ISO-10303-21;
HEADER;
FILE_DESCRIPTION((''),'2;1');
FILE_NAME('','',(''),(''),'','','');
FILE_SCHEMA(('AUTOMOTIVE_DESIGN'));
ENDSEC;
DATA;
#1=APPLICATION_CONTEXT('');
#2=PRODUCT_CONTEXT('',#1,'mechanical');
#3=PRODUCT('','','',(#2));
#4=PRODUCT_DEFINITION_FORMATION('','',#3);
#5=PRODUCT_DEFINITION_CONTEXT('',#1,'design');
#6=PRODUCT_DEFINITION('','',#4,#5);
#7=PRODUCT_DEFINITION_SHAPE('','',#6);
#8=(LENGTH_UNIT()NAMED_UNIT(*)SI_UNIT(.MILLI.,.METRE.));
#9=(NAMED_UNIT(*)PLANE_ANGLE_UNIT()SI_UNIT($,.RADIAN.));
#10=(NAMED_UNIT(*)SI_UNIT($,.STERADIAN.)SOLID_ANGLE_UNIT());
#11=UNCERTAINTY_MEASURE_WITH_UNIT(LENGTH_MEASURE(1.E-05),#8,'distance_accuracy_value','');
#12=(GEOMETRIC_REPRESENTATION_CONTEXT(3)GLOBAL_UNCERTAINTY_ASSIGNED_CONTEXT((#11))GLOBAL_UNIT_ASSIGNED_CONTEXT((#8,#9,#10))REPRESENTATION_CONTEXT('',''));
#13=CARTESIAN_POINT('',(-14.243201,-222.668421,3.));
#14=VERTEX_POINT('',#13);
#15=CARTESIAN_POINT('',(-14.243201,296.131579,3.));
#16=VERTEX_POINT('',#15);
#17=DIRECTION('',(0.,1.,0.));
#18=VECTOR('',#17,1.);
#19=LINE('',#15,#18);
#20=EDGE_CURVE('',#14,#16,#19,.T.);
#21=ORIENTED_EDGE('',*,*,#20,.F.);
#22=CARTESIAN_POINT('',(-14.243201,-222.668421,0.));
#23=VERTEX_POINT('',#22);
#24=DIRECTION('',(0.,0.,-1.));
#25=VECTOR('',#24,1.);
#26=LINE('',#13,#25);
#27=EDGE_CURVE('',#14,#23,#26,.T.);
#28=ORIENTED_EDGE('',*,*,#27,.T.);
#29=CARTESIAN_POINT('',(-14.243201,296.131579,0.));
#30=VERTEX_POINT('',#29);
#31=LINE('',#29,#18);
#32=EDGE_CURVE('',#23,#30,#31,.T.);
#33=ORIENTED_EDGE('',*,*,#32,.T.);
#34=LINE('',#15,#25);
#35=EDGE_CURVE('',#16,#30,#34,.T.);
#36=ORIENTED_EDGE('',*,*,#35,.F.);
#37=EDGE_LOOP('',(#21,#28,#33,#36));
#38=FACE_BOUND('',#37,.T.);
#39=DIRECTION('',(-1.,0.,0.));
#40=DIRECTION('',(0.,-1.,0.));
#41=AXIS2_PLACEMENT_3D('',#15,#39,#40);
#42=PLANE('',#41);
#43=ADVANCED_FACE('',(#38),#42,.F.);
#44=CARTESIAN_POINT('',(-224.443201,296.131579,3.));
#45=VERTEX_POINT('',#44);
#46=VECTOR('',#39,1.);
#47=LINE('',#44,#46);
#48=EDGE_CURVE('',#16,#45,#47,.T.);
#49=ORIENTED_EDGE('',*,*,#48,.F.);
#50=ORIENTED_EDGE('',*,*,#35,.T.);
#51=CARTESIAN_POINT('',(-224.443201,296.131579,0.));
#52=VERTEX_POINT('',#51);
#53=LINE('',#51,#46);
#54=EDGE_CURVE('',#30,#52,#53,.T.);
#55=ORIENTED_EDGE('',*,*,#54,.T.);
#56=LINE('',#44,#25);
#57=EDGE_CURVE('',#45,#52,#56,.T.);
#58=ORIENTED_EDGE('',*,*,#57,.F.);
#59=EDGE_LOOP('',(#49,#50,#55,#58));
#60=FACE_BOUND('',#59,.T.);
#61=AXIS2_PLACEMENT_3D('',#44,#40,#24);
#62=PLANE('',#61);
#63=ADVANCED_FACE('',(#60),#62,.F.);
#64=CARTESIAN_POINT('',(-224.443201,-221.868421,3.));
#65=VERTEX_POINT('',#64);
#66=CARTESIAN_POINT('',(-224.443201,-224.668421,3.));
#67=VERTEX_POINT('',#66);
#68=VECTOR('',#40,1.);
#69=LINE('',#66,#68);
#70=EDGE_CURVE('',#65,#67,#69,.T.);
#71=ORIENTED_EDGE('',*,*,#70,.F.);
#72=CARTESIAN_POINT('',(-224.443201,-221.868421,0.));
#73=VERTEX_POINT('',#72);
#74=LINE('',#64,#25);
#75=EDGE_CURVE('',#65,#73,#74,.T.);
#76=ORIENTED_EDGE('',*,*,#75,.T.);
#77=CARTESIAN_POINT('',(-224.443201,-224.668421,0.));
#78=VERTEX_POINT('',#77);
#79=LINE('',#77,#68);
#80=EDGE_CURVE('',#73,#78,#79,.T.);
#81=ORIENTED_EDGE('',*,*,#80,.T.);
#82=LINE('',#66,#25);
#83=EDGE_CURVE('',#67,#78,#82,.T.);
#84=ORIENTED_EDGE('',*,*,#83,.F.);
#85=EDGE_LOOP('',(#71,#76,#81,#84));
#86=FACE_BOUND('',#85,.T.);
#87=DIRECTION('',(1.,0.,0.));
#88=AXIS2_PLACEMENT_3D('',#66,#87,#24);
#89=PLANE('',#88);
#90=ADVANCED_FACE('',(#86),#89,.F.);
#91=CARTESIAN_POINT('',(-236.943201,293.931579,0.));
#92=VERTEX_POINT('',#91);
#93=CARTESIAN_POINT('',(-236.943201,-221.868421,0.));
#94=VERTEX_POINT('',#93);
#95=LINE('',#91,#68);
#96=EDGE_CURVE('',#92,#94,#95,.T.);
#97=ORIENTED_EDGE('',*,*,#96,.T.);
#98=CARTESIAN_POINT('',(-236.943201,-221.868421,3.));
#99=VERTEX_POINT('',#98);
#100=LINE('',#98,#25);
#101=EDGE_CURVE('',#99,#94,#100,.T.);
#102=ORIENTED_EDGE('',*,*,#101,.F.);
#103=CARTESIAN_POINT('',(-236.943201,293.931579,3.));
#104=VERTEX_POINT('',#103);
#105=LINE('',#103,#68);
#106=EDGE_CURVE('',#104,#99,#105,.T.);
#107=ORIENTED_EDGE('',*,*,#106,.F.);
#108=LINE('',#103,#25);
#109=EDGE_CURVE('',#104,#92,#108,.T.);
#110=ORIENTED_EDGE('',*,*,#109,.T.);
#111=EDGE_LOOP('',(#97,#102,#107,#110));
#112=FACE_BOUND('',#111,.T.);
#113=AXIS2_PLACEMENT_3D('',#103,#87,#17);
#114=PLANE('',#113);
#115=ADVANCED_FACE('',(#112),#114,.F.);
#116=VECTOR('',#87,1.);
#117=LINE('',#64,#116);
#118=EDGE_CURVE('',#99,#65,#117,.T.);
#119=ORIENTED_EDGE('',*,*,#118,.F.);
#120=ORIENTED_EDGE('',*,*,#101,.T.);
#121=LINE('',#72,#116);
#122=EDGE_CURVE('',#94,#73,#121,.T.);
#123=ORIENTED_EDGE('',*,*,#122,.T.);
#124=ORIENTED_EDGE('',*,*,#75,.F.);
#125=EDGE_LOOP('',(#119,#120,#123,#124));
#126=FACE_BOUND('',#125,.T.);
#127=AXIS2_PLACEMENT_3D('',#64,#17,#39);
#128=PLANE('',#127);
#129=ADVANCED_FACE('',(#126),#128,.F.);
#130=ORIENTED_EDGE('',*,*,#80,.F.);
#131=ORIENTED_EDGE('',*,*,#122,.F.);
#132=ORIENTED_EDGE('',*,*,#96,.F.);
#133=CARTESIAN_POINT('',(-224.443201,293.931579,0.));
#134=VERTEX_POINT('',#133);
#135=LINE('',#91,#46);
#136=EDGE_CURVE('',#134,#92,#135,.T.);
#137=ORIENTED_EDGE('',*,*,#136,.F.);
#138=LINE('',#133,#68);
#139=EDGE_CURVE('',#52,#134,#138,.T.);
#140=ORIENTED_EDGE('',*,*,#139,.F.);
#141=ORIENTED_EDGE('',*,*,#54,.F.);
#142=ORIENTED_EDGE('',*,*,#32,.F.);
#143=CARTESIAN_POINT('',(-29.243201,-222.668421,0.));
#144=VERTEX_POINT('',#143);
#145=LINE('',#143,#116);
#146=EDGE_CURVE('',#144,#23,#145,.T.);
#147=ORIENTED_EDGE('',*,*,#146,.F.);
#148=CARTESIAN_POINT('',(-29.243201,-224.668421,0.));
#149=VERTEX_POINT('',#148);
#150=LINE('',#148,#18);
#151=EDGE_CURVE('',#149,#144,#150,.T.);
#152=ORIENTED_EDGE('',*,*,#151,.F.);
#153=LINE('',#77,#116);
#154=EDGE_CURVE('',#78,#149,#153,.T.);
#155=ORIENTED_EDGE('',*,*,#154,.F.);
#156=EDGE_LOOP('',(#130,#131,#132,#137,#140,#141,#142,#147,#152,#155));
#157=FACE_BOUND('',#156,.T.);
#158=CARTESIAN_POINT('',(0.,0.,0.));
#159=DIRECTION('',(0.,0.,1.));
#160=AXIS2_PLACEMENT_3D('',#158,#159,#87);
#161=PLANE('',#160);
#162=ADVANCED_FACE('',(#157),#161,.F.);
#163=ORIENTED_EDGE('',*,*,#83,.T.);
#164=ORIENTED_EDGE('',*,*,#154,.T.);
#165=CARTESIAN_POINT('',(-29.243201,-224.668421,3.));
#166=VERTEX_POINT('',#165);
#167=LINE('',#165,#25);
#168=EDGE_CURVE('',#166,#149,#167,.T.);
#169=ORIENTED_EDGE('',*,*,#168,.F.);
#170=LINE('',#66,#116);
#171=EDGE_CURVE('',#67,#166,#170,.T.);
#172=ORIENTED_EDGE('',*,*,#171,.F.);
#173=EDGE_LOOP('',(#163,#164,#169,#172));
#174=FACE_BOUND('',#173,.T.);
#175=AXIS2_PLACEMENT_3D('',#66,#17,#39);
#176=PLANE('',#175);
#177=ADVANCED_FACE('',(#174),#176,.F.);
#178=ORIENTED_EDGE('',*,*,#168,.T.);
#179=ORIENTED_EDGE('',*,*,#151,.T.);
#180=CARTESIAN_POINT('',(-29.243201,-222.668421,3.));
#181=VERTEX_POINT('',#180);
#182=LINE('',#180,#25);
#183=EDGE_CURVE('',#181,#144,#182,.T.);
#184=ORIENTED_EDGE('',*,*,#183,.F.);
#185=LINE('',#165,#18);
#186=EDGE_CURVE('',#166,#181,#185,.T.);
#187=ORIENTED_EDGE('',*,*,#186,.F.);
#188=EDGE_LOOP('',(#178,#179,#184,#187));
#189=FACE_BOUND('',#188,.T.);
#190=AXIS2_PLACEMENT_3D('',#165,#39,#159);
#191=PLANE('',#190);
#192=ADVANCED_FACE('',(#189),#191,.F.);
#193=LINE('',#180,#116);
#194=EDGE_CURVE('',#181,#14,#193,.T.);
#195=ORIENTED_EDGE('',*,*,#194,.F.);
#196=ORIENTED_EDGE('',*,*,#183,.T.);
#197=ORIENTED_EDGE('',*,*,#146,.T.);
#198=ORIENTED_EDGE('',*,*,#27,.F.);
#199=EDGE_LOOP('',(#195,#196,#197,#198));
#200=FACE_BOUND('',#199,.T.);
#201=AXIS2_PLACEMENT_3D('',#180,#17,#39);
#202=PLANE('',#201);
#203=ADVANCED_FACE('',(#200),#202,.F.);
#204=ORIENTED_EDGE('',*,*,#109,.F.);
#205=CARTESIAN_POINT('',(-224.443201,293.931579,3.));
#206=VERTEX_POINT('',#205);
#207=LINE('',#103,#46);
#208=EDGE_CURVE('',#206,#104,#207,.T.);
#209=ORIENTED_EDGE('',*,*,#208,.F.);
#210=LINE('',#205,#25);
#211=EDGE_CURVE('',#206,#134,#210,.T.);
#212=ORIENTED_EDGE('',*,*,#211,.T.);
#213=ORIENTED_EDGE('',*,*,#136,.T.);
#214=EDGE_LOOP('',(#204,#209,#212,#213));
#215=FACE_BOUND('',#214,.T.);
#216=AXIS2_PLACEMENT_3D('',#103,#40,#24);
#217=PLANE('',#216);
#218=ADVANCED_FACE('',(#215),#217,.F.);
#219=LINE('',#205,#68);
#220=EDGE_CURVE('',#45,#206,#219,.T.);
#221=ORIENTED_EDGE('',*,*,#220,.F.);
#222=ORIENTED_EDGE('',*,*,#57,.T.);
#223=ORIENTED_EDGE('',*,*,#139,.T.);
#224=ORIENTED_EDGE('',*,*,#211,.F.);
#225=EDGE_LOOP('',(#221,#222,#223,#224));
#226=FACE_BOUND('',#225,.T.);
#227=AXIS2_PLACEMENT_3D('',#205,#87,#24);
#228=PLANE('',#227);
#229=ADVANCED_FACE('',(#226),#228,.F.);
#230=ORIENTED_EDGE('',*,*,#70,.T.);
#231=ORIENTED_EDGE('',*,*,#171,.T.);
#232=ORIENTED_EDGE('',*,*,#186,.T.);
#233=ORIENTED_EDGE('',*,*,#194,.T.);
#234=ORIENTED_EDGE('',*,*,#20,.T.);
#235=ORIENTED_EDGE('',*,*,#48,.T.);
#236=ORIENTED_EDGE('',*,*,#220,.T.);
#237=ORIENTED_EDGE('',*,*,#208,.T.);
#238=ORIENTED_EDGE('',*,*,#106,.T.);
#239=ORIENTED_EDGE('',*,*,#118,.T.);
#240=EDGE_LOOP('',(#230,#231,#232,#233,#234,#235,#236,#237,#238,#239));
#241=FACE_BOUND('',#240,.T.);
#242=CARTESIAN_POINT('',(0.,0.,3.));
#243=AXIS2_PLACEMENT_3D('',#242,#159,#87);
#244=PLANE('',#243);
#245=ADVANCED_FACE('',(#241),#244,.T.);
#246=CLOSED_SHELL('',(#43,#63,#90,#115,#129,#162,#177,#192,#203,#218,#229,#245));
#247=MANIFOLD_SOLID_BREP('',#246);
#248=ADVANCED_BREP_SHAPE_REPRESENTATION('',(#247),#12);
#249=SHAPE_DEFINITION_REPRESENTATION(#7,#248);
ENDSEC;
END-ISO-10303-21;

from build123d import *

# Parameters (mm, degrees)
SALIENTE_EXTRUIR1_DEPTH = 3


with BuildPart() as part:
    # Croquis1 → Saliente-Extruir1 (new body)
    with BuildSketch(Plane.XY):
        Polygon((-224.443201015, 296.131578947), (-14.243201015, 296.131578947), (-14.243201015, -222.668421053), (-29.243201015, -222.668421053), (-29.243201015, -224.668421053), (-224.443201015, -224.668421053), (-224.443201015, -221.868421053), (-236.943201015, -221.868421053), (-236.943201015, 293.931578947), (-224.443201015, 293.931578947), align=None)
    extrude(amount=SALIENTE_EXTRUIR1_DEPTH)


solid = part.part
